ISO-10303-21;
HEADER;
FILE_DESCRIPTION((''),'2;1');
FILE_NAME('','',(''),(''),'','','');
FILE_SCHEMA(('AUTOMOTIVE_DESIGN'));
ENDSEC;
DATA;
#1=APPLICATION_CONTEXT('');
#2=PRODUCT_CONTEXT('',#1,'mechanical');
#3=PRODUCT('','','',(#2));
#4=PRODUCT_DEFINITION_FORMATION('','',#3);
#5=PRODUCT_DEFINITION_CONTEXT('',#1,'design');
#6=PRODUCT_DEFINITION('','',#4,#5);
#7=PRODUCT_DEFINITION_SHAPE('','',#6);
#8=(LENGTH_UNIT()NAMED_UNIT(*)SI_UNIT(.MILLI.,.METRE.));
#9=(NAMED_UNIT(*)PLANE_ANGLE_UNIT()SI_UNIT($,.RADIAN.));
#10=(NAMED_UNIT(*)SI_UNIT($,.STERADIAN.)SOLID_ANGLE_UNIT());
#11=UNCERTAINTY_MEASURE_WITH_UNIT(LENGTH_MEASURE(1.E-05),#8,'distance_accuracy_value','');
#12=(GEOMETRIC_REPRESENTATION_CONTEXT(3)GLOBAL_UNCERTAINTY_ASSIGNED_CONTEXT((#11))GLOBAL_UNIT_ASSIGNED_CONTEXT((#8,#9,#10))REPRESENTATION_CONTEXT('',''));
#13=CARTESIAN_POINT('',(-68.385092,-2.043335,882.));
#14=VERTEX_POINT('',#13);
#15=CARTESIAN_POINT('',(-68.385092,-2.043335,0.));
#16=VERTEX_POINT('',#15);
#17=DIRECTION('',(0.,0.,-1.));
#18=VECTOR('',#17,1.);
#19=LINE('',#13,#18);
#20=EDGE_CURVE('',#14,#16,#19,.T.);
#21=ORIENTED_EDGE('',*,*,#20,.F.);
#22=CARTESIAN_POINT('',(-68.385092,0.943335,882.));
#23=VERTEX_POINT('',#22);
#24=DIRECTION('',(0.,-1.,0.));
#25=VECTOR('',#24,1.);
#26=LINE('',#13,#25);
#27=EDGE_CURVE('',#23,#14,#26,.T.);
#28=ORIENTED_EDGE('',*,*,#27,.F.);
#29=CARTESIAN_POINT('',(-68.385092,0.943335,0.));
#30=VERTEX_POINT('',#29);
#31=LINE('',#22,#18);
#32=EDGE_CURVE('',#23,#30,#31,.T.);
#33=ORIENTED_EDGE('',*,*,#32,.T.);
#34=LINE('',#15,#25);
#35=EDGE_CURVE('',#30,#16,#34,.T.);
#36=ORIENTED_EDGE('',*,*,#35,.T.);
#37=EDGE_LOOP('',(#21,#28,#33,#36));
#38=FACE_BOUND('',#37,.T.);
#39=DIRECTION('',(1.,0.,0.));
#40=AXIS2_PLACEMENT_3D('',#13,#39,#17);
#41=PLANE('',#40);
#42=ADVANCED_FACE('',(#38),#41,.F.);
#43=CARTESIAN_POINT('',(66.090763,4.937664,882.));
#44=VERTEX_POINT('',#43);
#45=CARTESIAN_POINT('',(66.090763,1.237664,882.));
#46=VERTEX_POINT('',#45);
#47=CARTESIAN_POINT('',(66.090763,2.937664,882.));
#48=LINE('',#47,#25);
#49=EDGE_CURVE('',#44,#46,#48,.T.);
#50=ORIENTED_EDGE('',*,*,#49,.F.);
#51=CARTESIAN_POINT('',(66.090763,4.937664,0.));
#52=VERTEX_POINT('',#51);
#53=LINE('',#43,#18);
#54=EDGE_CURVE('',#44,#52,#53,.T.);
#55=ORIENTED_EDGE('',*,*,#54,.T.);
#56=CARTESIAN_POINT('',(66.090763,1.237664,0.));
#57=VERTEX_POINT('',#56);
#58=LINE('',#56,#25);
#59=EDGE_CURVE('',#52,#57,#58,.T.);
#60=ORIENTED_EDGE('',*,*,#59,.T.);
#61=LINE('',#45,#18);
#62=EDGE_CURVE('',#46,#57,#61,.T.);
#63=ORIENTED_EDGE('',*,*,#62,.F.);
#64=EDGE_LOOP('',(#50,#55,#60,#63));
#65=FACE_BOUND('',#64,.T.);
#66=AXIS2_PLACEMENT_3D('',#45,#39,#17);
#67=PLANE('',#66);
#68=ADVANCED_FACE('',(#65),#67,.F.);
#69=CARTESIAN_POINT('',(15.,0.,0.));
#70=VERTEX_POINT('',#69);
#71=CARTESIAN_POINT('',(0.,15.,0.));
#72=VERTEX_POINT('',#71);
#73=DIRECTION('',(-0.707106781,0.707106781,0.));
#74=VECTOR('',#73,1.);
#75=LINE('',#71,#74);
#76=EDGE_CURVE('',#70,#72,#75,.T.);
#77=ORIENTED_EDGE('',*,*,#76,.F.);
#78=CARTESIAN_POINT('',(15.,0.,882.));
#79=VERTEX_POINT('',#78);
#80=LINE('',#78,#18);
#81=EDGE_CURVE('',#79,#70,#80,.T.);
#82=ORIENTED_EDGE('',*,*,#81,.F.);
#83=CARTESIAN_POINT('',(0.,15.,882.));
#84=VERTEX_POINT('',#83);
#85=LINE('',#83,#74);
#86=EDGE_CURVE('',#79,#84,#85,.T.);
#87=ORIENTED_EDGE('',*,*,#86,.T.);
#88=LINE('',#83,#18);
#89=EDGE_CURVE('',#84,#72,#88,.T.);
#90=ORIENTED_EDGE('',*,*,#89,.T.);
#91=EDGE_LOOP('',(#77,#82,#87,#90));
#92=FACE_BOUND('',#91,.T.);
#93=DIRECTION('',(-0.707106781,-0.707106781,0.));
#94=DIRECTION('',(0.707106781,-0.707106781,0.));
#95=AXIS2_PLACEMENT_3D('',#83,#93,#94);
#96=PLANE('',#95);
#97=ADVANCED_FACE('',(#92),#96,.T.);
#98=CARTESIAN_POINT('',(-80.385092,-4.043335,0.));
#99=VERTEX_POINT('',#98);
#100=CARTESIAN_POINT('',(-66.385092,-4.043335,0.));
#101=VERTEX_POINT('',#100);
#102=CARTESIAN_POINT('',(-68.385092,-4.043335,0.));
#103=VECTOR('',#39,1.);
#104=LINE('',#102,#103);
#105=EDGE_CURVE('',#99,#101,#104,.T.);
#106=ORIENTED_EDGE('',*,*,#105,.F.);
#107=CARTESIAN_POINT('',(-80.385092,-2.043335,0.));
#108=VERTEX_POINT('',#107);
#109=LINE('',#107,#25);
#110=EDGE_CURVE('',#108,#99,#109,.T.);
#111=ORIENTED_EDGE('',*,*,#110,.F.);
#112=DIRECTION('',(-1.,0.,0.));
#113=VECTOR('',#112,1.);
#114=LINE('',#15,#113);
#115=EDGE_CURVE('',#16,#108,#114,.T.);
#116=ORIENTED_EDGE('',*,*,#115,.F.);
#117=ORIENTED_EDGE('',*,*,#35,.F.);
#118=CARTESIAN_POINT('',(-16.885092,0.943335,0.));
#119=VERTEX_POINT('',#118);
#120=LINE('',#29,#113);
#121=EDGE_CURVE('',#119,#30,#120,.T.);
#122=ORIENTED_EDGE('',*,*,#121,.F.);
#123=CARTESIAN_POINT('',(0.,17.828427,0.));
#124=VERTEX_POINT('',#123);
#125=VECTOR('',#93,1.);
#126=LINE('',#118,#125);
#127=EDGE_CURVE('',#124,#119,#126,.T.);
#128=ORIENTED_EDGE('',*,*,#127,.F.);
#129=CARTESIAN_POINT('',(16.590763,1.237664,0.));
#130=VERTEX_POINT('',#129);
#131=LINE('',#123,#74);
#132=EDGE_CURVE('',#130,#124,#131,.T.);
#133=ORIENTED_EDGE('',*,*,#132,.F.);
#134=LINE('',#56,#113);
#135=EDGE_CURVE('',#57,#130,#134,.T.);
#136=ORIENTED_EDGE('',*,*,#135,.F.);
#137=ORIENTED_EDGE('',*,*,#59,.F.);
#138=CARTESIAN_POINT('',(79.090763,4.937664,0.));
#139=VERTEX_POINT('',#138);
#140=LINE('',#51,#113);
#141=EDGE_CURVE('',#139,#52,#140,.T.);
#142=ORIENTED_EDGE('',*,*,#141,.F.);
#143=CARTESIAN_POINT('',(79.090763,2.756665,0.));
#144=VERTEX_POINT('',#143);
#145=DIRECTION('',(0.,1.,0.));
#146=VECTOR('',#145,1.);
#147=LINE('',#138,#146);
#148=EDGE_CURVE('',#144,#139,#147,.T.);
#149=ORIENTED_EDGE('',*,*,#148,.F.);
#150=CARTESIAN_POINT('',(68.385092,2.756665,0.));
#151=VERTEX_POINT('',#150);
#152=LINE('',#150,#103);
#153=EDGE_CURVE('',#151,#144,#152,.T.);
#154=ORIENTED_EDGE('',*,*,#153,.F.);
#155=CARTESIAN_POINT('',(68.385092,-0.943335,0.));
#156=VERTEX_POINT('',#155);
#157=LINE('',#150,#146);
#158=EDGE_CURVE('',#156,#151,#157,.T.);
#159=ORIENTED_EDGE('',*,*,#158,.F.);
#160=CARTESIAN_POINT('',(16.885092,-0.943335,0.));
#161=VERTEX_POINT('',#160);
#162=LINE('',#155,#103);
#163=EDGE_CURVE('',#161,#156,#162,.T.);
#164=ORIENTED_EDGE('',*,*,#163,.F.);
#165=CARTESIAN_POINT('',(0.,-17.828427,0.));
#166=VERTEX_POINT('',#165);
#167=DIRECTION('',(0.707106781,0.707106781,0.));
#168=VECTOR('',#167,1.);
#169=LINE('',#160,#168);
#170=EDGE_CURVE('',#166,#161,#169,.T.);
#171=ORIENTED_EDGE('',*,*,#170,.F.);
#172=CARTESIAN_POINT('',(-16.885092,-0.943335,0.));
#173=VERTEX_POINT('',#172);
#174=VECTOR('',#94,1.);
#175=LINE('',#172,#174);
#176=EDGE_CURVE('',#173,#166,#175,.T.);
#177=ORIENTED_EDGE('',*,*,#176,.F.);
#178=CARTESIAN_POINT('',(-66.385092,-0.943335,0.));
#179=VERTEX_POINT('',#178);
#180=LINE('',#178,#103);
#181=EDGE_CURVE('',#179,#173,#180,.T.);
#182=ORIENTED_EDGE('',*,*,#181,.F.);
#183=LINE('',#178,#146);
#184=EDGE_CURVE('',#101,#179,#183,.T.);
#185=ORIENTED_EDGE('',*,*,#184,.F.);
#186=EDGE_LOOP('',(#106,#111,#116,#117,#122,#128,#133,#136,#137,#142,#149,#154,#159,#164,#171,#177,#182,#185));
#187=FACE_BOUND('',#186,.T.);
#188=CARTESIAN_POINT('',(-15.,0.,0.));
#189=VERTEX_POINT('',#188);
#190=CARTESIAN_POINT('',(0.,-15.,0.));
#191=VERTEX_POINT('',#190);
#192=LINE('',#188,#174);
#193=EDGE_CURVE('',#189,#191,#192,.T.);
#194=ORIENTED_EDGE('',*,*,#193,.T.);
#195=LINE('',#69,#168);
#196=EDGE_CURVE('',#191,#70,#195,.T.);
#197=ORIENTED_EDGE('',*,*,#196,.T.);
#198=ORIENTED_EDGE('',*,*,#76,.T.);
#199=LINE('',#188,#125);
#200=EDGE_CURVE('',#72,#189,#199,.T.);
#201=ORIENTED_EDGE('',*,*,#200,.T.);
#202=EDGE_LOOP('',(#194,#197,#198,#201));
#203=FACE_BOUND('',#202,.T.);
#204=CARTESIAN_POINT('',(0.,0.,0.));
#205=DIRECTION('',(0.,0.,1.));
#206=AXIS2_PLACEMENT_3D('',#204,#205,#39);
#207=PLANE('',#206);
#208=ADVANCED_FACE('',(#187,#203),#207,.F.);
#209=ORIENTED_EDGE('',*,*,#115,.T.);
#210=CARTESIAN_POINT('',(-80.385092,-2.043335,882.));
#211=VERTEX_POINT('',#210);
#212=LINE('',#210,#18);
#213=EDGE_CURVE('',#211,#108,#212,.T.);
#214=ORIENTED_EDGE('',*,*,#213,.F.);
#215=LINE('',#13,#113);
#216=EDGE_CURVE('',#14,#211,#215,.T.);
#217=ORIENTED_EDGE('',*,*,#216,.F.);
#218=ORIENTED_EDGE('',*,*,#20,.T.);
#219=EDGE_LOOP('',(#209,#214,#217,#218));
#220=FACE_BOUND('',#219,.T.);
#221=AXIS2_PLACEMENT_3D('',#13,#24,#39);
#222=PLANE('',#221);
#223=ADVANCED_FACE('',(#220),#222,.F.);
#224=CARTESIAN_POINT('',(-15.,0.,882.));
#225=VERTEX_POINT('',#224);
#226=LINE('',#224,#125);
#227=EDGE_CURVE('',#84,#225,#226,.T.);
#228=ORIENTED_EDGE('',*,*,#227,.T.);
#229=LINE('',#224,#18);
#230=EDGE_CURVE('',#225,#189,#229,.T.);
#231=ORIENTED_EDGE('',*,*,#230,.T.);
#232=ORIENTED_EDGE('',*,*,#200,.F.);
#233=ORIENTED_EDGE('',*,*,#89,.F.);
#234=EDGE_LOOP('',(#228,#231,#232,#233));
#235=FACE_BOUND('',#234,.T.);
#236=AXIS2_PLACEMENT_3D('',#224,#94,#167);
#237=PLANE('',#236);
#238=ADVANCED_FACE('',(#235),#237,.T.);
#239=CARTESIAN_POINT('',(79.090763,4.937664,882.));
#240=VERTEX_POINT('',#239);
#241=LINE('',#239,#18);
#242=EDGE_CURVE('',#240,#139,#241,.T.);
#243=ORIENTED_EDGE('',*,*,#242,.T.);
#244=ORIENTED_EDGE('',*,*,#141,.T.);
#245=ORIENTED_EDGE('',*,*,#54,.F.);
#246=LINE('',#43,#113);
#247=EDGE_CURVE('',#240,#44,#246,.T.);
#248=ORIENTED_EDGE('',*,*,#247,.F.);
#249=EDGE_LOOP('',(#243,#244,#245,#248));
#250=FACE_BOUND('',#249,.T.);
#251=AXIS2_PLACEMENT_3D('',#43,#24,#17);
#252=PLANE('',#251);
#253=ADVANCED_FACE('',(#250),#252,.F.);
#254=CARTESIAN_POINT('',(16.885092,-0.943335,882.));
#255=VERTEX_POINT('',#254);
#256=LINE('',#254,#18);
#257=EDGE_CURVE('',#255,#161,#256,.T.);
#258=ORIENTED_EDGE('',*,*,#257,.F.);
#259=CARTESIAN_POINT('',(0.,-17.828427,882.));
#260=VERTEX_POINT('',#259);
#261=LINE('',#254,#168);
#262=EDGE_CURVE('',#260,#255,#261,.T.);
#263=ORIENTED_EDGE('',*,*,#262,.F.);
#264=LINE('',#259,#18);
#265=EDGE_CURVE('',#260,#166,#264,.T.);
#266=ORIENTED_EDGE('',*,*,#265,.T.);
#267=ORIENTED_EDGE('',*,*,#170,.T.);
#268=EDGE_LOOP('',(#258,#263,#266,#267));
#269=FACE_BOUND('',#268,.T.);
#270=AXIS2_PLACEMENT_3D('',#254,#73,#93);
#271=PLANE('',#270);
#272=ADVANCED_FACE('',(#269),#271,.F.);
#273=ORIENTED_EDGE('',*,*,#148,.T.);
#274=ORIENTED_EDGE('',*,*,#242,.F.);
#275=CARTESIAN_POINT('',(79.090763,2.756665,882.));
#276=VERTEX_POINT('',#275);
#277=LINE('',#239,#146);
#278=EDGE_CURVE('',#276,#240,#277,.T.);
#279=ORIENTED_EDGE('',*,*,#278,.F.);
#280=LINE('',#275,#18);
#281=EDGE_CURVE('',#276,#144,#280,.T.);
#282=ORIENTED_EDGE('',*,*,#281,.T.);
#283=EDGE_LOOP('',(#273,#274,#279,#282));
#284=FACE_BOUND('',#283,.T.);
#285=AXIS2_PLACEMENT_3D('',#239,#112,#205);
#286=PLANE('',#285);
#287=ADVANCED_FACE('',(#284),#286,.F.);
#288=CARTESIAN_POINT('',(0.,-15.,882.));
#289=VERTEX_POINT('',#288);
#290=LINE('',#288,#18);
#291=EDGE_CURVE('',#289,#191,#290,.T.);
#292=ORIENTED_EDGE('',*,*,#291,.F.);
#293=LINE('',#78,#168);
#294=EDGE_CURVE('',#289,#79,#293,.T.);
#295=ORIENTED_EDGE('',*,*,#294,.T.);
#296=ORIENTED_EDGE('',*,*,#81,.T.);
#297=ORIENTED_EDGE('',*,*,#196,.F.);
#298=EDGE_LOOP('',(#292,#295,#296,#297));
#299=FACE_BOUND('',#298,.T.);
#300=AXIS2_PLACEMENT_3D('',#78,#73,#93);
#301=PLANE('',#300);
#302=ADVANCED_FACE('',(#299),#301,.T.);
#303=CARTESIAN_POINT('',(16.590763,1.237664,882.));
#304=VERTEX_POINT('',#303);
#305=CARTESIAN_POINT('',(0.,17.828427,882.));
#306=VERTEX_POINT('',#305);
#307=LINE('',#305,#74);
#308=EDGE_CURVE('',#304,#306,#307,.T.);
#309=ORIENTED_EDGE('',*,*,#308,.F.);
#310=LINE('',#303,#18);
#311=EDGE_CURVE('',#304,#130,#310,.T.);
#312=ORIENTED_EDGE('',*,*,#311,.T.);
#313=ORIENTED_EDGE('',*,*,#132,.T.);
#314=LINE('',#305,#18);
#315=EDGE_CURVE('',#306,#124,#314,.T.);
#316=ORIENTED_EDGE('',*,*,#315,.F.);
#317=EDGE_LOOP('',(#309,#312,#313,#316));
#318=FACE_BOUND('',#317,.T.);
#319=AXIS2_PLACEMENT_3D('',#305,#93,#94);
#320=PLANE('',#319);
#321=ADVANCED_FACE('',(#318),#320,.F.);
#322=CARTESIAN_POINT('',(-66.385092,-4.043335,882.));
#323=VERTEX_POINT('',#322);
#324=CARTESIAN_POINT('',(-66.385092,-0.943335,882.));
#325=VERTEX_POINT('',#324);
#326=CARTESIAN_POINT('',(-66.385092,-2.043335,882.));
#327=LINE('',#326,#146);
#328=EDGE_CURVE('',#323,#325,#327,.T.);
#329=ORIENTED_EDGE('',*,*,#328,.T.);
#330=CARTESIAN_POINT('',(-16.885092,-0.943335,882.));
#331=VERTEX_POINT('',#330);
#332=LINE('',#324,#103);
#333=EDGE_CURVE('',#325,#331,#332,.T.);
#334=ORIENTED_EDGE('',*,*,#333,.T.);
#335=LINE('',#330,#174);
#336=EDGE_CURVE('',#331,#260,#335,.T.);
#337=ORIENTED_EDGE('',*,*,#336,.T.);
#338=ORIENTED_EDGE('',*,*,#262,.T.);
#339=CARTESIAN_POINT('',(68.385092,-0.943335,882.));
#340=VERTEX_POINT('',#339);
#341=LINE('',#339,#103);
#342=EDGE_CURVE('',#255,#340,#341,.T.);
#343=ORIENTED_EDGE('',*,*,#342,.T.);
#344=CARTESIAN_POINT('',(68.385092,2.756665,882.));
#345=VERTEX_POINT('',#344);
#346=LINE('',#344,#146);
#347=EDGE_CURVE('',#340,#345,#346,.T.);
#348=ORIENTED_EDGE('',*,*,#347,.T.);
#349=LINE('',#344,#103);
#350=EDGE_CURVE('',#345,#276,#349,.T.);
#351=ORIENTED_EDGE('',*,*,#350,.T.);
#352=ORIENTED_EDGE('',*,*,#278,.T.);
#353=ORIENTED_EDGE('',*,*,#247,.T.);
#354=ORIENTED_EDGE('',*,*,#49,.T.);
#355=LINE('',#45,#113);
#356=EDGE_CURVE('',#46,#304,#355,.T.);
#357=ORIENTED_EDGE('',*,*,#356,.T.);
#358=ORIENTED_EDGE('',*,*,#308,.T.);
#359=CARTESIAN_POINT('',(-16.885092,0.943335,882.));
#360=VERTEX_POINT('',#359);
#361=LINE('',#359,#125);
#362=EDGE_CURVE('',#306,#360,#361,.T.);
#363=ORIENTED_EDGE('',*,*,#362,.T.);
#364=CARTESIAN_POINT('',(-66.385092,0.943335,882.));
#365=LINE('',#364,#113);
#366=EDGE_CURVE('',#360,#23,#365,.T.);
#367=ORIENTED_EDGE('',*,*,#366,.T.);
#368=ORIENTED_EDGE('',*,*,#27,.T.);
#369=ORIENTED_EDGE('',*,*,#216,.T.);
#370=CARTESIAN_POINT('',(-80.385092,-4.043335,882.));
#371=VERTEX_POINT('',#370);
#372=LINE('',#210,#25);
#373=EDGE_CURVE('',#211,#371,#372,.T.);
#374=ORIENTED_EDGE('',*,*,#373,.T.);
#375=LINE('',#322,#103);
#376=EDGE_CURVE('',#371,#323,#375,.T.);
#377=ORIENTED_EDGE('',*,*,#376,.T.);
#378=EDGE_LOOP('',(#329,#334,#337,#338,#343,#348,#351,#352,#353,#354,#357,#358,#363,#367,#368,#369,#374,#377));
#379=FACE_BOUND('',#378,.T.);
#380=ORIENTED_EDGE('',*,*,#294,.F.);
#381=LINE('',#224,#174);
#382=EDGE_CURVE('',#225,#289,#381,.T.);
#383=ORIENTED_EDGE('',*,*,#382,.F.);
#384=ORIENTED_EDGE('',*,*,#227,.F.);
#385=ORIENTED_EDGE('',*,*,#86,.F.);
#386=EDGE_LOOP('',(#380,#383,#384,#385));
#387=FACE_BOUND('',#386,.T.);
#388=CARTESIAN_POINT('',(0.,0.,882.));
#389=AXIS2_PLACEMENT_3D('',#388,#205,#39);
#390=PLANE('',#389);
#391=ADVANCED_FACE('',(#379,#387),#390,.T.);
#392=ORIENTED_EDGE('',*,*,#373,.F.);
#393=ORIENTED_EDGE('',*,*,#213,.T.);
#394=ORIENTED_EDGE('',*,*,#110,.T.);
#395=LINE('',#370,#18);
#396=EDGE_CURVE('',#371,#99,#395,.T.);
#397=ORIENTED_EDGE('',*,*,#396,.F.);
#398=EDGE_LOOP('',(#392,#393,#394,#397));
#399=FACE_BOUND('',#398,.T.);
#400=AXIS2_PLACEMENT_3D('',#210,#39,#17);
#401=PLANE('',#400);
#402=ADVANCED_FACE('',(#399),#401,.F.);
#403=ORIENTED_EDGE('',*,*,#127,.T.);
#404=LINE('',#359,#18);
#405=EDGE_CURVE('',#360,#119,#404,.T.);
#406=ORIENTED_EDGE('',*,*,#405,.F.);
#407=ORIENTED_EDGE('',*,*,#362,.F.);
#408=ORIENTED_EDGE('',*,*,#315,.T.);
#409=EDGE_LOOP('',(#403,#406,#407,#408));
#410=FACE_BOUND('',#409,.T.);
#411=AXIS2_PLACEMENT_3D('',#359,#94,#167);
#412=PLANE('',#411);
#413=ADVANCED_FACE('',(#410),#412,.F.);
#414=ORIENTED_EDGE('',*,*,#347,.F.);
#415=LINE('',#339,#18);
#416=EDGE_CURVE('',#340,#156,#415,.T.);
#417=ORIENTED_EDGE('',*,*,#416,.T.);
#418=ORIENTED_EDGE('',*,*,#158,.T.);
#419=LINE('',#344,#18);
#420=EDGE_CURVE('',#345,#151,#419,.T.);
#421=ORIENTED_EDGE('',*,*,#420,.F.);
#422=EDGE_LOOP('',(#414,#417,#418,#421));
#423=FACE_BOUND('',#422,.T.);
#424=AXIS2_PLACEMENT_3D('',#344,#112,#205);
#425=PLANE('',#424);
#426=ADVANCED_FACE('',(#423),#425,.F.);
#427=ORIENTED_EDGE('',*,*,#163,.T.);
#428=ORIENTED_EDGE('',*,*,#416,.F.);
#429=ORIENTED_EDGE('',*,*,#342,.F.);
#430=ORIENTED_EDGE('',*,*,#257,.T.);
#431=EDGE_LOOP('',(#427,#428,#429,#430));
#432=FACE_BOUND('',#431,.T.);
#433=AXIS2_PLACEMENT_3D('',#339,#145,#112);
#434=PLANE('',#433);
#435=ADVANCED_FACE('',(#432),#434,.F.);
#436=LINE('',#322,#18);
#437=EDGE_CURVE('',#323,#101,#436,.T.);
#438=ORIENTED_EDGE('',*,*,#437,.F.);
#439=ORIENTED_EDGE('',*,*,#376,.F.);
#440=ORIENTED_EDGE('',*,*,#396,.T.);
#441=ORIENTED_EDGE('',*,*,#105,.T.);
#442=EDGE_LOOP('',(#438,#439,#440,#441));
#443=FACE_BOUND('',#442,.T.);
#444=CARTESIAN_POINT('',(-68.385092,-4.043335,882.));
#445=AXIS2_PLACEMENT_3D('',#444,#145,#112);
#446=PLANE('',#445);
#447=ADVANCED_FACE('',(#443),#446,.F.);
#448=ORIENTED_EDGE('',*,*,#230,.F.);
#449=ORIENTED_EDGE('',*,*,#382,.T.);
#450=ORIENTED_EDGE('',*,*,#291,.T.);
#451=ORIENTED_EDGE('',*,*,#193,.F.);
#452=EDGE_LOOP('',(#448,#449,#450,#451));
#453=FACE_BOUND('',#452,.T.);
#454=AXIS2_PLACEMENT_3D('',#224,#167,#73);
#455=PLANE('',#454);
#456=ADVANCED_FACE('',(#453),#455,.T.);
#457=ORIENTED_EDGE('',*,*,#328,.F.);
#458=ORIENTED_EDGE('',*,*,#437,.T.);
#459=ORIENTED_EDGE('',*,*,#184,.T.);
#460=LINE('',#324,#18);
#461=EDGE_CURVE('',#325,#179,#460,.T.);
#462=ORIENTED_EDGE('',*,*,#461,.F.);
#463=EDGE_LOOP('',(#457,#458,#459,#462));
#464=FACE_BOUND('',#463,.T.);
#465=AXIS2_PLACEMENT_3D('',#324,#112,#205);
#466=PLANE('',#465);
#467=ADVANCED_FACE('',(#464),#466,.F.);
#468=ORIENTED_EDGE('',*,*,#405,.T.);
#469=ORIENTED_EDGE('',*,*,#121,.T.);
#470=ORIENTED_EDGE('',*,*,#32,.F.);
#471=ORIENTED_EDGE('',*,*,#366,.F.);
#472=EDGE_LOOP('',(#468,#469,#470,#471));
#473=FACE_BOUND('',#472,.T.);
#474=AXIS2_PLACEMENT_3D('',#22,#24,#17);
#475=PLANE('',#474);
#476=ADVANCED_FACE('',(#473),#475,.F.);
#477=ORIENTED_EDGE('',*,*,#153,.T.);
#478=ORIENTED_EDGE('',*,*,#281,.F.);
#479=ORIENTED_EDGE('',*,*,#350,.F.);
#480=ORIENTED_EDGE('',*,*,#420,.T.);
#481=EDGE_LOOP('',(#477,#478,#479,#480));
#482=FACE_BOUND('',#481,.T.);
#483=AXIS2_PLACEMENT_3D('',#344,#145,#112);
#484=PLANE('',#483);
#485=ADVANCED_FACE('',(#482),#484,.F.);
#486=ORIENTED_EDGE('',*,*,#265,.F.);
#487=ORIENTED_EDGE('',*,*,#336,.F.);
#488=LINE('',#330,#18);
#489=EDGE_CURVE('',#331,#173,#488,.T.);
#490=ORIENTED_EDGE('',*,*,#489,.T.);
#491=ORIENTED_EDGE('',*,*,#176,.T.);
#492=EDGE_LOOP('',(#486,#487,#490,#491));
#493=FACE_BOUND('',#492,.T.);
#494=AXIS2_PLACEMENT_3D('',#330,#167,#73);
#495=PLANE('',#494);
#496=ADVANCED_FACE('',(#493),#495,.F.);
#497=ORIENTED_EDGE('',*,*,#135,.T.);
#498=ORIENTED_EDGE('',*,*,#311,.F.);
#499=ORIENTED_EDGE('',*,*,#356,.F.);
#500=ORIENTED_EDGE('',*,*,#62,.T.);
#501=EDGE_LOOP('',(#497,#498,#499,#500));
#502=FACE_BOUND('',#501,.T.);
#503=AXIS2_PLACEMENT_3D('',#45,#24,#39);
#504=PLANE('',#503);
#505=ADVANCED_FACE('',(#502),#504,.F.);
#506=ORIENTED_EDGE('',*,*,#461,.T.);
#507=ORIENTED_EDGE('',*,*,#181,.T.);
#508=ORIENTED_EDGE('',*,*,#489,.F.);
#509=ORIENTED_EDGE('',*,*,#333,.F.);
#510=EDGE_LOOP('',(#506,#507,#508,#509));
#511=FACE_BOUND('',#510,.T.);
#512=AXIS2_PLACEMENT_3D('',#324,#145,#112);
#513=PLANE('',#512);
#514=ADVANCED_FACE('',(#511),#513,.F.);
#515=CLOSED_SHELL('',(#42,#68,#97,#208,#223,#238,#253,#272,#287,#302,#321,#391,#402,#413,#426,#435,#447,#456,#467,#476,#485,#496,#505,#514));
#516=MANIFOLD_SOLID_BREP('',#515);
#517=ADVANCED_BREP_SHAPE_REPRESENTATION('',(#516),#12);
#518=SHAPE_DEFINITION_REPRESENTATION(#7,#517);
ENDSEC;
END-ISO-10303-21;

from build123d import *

# Parameters (mm, degrees)
BOSS_EXTRUDE1_DEPTH = 882


with BuildPart() as part:
    # Sketch1 → Boss-Extrude1 (new body)
    with BuildSketch(Plane.XY):
        Polygon((-66.385092096, 0.943335029), (-16.885092096, 0.943335029), (0, 17.828427125), (16.590763052, 1.237664072), (66.090763052, 1.237664072), (66.090763052, 2.937664072), (66.090763052, 4.937664072), (79.090763052, 4.937664072), (79.090763052, 2.756664971), (68.385092096, 2.756664971), (68.385092096, -0.943335029), (16.885092096, -0.943335029), (0, -17.828427125), (-16.885092096, -0.943335029), (-66.385092096, -0.943335029), (-66.385092096, -2.043335029), (-66.385092096, -4.043335029), (-68.385092096, -4.043335029), (-80.385092096, -4.043335029), (-80.385092096, -2.043335029), (-68.385092096, -2.043335029), (-68.385092096, 0.943335029), align=None)
        Polygon((-15, 0), (0, 15), (15, 0), (0, -15), align=None, mode=Mode.SUBTRACT)
    extrude(amount=BOSS_EXTRUDE1_DEPTH)


solid = part.part
